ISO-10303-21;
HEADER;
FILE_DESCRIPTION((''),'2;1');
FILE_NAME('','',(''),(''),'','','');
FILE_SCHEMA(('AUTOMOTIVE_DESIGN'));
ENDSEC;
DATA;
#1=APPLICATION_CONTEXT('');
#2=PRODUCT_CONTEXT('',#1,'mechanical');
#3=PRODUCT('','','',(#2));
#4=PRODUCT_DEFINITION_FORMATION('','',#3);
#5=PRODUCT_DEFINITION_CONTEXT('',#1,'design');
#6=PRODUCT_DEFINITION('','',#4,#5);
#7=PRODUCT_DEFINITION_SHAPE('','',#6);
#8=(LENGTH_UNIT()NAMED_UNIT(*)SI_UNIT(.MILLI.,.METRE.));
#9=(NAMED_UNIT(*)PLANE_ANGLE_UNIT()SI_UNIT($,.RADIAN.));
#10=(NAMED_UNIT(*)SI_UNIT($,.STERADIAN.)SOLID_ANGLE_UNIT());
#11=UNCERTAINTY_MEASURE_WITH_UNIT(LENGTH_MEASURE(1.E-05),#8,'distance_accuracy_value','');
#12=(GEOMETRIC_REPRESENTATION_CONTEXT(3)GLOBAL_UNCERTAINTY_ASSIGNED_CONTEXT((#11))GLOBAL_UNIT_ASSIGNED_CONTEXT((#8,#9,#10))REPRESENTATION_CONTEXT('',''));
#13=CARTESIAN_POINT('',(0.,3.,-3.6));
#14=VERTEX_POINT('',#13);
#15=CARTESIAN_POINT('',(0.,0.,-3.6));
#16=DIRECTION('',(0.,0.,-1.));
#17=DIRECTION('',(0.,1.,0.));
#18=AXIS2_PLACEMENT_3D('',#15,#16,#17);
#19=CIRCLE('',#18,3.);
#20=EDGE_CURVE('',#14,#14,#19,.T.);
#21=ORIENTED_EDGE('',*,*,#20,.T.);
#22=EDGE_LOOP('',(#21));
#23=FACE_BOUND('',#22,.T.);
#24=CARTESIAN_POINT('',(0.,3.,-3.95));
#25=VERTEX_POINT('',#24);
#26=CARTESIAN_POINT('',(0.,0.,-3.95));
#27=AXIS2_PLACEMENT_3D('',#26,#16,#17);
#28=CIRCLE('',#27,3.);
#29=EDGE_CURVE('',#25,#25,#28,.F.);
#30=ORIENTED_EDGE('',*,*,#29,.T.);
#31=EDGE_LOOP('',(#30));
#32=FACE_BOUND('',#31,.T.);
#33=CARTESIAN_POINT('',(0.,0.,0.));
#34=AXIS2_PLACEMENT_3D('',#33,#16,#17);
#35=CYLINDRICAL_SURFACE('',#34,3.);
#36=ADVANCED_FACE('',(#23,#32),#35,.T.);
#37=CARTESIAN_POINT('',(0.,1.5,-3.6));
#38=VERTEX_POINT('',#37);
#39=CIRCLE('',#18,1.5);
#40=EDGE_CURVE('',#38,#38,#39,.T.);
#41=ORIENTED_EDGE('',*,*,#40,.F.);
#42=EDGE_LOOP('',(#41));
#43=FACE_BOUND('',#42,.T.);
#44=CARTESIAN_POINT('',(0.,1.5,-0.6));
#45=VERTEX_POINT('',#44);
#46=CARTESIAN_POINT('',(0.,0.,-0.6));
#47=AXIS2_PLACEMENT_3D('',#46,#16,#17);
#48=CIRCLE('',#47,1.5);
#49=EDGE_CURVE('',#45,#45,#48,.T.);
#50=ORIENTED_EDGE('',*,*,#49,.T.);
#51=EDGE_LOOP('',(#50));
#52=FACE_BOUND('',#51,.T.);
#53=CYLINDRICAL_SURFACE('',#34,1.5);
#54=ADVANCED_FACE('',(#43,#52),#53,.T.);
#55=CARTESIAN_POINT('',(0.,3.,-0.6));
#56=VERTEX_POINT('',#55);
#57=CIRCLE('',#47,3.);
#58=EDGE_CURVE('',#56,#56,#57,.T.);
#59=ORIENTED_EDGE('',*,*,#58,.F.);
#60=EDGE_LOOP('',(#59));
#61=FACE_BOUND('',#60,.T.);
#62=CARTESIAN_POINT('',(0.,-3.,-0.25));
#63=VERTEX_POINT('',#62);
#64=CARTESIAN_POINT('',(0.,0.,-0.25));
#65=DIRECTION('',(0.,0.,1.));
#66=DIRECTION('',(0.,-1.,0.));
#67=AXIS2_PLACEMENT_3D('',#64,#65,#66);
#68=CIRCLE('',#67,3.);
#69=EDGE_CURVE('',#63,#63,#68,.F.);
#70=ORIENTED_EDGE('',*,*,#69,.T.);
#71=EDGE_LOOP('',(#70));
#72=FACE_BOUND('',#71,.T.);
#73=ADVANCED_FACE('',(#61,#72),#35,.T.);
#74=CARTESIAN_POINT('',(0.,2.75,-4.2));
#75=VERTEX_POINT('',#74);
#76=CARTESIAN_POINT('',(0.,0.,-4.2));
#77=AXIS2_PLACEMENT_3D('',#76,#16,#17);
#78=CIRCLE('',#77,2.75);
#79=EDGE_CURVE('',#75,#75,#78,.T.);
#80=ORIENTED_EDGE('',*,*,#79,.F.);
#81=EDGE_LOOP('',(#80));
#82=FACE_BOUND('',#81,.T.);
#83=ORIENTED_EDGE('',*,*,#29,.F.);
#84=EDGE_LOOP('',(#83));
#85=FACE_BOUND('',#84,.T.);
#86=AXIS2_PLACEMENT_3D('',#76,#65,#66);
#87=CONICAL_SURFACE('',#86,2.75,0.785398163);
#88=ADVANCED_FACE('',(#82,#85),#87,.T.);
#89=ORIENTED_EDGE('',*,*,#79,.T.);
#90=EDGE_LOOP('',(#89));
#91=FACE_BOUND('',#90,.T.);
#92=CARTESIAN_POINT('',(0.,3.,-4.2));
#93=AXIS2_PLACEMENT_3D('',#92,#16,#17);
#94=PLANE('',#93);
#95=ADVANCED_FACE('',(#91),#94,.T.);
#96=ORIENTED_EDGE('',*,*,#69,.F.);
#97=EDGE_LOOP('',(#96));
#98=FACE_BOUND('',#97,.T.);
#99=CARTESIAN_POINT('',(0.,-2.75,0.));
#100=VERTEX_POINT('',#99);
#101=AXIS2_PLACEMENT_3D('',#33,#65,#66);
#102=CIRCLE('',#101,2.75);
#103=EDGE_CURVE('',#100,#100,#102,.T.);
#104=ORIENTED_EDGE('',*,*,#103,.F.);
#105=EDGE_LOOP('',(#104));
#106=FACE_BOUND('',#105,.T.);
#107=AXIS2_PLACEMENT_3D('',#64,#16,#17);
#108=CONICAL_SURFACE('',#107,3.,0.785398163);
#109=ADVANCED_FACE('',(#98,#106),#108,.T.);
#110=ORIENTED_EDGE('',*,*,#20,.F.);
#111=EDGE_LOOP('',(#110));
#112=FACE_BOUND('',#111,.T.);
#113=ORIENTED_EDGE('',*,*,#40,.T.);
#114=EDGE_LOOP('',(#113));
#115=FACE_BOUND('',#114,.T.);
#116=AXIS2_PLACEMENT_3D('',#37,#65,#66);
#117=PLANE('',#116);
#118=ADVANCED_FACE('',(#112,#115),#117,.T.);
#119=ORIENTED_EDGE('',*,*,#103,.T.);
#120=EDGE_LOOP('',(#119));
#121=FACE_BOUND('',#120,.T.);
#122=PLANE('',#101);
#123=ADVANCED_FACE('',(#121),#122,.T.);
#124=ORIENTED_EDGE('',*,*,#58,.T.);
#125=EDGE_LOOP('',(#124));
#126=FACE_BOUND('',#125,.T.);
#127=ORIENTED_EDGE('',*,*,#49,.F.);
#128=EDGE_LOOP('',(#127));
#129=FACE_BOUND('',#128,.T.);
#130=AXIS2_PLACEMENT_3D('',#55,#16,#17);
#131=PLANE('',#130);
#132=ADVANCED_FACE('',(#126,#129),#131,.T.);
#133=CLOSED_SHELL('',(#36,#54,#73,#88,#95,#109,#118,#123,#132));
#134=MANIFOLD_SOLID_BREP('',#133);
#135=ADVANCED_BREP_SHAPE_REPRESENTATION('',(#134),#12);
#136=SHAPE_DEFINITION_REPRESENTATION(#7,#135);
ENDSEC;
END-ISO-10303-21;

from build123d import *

# Parameters (mm, degrees)
CHAMFER1_SIZE = 0.25


with BuildPart() as part:
    # Sketch1 → Revolve1 (revolve)
    with BuildSketch(Plane(origin=(0, 0, 0), x_dir=(0, 0, -1), z_dir=(1, 0, 0))):
        Polygon((0, 0), (0, 3), (0.6, 3), (0.6, 1.5), (3.6, 1.5), (3.6, 3), (4.2, 3), (4.2, 0), align=None)
    revolve(axis=Axis((0, 0, 0), (0, 0, 1)))

    # Chamfer1
    chamfer1_edges = [part.edges().sort_by_distance(p)[0] for p in [
        (0, -3, -4.2),
        (0, -3, 0),
    ]]
    chamfer(chamfer1_edges, length=CHAMFER1_SIZE)


solid = part.part
